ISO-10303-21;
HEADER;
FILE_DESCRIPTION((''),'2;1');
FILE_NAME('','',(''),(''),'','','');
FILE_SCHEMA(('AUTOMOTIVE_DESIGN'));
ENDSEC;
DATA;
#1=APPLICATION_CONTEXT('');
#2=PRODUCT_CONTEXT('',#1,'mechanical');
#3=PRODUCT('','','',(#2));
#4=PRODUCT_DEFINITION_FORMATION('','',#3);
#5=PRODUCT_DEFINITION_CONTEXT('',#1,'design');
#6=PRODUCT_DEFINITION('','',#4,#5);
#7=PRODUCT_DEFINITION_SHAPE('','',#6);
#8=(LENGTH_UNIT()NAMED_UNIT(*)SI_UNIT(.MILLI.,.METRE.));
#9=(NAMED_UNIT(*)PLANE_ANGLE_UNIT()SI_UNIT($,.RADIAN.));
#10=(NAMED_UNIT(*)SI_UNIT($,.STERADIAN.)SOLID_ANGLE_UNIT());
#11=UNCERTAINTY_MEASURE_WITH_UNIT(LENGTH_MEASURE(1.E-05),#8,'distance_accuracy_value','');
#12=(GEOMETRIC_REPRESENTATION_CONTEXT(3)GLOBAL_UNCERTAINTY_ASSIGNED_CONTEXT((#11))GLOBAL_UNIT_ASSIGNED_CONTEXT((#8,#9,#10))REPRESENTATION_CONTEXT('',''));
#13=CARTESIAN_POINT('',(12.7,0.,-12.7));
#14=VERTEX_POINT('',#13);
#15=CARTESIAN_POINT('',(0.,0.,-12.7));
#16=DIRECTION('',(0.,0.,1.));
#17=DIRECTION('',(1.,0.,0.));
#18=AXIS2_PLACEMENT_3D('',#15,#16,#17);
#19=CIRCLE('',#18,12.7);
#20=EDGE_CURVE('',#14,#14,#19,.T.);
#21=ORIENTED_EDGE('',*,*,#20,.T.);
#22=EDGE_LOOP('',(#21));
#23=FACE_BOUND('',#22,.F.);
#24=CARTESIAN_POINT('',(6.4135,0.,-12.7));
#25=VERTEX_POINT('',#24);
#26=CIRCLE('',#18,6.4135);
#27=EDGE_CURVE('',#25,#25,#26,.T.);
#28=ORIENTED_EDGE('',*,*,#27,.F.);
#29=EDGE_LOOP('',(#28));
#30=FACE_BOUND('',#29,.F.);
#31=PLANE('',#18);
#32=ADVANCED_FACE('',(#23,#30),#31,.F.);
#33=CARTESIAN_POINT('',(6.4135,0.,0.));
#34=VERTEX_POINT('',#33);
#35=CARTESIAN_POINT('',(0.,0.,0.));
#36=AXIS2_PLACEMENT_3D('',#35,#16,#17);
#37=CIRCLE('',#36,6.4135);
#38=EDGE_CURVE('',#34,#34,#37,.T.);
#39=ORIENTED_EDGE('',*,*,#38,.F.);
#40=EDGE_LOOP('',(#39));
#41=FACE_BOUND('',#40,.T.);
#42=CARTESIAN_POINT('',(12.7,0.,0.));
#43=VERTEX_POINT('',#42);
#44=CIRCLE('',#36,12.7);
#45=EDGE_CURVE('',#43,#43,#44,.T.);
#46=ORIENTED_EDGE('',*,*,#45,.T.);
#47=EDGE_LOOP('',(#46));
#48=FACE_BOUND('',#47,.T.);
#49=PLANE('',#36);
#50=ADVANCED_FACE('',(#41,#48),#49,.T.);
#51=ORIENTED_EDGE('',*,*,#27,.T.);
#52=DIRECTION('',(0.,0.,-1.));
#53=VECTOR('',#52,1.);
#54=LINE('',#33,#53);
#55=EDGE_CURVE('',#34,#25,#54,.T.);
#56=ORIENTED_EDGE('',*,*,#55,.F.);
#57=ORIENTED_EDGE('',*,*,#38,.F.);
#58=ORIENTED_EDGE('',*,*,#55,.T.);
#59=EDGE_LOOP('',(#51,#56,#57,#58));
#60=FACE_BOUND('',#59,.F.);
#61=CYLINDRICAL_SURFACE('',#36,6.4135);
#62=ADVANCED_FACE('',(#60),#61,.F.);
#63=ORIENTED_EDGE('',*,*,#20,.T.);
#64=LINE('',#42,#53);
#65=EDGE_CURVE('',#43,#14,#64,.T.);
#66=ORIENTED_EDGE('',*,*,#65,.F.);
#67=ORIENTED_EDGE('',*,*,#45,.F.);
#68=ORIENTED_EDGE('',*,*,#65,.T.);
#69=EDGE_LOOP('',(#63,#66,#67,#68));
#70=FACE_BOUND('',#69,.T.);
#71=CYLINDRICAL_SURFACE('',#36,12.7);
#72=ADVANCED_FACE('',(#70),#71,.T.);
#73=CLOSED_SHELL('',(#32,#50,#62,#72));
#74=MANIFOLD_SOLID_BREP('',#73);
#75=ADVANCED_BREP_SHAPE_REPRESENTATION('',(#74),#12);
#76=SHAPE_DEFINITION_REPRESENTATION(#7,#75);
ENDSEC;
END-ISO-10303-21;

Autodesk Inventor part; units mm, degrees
ref_plane "YZ Plane" through (0, 0, 0) normal (1, 0, 0) x (0, 1, 0)
ref_plane "XZ Plane" through (0, 0, 0) normal (0, 1, 0) x (-1, 0, 0)
ref_plane "XY Plane" through (0, 0, 0) normal (0, 0, 1) x (1, 0, 0)
sketch "Sketch1" plane through (0, 0, 0) normal (0, 0, 1) x (1, 0, 0)
  circle A0 centre (0, 0) radius 6.4135
  circle A1 centre (0, 0) radius 12.7
  dimension "d0" = 12.827
  dimension "d1" = 25.4
extrude "Extrusion1" add sketch "Sketch1" against normal blind 12.7
properties part number "Spacer_Round_0.5x0.5" material "Nylon 6/6"
